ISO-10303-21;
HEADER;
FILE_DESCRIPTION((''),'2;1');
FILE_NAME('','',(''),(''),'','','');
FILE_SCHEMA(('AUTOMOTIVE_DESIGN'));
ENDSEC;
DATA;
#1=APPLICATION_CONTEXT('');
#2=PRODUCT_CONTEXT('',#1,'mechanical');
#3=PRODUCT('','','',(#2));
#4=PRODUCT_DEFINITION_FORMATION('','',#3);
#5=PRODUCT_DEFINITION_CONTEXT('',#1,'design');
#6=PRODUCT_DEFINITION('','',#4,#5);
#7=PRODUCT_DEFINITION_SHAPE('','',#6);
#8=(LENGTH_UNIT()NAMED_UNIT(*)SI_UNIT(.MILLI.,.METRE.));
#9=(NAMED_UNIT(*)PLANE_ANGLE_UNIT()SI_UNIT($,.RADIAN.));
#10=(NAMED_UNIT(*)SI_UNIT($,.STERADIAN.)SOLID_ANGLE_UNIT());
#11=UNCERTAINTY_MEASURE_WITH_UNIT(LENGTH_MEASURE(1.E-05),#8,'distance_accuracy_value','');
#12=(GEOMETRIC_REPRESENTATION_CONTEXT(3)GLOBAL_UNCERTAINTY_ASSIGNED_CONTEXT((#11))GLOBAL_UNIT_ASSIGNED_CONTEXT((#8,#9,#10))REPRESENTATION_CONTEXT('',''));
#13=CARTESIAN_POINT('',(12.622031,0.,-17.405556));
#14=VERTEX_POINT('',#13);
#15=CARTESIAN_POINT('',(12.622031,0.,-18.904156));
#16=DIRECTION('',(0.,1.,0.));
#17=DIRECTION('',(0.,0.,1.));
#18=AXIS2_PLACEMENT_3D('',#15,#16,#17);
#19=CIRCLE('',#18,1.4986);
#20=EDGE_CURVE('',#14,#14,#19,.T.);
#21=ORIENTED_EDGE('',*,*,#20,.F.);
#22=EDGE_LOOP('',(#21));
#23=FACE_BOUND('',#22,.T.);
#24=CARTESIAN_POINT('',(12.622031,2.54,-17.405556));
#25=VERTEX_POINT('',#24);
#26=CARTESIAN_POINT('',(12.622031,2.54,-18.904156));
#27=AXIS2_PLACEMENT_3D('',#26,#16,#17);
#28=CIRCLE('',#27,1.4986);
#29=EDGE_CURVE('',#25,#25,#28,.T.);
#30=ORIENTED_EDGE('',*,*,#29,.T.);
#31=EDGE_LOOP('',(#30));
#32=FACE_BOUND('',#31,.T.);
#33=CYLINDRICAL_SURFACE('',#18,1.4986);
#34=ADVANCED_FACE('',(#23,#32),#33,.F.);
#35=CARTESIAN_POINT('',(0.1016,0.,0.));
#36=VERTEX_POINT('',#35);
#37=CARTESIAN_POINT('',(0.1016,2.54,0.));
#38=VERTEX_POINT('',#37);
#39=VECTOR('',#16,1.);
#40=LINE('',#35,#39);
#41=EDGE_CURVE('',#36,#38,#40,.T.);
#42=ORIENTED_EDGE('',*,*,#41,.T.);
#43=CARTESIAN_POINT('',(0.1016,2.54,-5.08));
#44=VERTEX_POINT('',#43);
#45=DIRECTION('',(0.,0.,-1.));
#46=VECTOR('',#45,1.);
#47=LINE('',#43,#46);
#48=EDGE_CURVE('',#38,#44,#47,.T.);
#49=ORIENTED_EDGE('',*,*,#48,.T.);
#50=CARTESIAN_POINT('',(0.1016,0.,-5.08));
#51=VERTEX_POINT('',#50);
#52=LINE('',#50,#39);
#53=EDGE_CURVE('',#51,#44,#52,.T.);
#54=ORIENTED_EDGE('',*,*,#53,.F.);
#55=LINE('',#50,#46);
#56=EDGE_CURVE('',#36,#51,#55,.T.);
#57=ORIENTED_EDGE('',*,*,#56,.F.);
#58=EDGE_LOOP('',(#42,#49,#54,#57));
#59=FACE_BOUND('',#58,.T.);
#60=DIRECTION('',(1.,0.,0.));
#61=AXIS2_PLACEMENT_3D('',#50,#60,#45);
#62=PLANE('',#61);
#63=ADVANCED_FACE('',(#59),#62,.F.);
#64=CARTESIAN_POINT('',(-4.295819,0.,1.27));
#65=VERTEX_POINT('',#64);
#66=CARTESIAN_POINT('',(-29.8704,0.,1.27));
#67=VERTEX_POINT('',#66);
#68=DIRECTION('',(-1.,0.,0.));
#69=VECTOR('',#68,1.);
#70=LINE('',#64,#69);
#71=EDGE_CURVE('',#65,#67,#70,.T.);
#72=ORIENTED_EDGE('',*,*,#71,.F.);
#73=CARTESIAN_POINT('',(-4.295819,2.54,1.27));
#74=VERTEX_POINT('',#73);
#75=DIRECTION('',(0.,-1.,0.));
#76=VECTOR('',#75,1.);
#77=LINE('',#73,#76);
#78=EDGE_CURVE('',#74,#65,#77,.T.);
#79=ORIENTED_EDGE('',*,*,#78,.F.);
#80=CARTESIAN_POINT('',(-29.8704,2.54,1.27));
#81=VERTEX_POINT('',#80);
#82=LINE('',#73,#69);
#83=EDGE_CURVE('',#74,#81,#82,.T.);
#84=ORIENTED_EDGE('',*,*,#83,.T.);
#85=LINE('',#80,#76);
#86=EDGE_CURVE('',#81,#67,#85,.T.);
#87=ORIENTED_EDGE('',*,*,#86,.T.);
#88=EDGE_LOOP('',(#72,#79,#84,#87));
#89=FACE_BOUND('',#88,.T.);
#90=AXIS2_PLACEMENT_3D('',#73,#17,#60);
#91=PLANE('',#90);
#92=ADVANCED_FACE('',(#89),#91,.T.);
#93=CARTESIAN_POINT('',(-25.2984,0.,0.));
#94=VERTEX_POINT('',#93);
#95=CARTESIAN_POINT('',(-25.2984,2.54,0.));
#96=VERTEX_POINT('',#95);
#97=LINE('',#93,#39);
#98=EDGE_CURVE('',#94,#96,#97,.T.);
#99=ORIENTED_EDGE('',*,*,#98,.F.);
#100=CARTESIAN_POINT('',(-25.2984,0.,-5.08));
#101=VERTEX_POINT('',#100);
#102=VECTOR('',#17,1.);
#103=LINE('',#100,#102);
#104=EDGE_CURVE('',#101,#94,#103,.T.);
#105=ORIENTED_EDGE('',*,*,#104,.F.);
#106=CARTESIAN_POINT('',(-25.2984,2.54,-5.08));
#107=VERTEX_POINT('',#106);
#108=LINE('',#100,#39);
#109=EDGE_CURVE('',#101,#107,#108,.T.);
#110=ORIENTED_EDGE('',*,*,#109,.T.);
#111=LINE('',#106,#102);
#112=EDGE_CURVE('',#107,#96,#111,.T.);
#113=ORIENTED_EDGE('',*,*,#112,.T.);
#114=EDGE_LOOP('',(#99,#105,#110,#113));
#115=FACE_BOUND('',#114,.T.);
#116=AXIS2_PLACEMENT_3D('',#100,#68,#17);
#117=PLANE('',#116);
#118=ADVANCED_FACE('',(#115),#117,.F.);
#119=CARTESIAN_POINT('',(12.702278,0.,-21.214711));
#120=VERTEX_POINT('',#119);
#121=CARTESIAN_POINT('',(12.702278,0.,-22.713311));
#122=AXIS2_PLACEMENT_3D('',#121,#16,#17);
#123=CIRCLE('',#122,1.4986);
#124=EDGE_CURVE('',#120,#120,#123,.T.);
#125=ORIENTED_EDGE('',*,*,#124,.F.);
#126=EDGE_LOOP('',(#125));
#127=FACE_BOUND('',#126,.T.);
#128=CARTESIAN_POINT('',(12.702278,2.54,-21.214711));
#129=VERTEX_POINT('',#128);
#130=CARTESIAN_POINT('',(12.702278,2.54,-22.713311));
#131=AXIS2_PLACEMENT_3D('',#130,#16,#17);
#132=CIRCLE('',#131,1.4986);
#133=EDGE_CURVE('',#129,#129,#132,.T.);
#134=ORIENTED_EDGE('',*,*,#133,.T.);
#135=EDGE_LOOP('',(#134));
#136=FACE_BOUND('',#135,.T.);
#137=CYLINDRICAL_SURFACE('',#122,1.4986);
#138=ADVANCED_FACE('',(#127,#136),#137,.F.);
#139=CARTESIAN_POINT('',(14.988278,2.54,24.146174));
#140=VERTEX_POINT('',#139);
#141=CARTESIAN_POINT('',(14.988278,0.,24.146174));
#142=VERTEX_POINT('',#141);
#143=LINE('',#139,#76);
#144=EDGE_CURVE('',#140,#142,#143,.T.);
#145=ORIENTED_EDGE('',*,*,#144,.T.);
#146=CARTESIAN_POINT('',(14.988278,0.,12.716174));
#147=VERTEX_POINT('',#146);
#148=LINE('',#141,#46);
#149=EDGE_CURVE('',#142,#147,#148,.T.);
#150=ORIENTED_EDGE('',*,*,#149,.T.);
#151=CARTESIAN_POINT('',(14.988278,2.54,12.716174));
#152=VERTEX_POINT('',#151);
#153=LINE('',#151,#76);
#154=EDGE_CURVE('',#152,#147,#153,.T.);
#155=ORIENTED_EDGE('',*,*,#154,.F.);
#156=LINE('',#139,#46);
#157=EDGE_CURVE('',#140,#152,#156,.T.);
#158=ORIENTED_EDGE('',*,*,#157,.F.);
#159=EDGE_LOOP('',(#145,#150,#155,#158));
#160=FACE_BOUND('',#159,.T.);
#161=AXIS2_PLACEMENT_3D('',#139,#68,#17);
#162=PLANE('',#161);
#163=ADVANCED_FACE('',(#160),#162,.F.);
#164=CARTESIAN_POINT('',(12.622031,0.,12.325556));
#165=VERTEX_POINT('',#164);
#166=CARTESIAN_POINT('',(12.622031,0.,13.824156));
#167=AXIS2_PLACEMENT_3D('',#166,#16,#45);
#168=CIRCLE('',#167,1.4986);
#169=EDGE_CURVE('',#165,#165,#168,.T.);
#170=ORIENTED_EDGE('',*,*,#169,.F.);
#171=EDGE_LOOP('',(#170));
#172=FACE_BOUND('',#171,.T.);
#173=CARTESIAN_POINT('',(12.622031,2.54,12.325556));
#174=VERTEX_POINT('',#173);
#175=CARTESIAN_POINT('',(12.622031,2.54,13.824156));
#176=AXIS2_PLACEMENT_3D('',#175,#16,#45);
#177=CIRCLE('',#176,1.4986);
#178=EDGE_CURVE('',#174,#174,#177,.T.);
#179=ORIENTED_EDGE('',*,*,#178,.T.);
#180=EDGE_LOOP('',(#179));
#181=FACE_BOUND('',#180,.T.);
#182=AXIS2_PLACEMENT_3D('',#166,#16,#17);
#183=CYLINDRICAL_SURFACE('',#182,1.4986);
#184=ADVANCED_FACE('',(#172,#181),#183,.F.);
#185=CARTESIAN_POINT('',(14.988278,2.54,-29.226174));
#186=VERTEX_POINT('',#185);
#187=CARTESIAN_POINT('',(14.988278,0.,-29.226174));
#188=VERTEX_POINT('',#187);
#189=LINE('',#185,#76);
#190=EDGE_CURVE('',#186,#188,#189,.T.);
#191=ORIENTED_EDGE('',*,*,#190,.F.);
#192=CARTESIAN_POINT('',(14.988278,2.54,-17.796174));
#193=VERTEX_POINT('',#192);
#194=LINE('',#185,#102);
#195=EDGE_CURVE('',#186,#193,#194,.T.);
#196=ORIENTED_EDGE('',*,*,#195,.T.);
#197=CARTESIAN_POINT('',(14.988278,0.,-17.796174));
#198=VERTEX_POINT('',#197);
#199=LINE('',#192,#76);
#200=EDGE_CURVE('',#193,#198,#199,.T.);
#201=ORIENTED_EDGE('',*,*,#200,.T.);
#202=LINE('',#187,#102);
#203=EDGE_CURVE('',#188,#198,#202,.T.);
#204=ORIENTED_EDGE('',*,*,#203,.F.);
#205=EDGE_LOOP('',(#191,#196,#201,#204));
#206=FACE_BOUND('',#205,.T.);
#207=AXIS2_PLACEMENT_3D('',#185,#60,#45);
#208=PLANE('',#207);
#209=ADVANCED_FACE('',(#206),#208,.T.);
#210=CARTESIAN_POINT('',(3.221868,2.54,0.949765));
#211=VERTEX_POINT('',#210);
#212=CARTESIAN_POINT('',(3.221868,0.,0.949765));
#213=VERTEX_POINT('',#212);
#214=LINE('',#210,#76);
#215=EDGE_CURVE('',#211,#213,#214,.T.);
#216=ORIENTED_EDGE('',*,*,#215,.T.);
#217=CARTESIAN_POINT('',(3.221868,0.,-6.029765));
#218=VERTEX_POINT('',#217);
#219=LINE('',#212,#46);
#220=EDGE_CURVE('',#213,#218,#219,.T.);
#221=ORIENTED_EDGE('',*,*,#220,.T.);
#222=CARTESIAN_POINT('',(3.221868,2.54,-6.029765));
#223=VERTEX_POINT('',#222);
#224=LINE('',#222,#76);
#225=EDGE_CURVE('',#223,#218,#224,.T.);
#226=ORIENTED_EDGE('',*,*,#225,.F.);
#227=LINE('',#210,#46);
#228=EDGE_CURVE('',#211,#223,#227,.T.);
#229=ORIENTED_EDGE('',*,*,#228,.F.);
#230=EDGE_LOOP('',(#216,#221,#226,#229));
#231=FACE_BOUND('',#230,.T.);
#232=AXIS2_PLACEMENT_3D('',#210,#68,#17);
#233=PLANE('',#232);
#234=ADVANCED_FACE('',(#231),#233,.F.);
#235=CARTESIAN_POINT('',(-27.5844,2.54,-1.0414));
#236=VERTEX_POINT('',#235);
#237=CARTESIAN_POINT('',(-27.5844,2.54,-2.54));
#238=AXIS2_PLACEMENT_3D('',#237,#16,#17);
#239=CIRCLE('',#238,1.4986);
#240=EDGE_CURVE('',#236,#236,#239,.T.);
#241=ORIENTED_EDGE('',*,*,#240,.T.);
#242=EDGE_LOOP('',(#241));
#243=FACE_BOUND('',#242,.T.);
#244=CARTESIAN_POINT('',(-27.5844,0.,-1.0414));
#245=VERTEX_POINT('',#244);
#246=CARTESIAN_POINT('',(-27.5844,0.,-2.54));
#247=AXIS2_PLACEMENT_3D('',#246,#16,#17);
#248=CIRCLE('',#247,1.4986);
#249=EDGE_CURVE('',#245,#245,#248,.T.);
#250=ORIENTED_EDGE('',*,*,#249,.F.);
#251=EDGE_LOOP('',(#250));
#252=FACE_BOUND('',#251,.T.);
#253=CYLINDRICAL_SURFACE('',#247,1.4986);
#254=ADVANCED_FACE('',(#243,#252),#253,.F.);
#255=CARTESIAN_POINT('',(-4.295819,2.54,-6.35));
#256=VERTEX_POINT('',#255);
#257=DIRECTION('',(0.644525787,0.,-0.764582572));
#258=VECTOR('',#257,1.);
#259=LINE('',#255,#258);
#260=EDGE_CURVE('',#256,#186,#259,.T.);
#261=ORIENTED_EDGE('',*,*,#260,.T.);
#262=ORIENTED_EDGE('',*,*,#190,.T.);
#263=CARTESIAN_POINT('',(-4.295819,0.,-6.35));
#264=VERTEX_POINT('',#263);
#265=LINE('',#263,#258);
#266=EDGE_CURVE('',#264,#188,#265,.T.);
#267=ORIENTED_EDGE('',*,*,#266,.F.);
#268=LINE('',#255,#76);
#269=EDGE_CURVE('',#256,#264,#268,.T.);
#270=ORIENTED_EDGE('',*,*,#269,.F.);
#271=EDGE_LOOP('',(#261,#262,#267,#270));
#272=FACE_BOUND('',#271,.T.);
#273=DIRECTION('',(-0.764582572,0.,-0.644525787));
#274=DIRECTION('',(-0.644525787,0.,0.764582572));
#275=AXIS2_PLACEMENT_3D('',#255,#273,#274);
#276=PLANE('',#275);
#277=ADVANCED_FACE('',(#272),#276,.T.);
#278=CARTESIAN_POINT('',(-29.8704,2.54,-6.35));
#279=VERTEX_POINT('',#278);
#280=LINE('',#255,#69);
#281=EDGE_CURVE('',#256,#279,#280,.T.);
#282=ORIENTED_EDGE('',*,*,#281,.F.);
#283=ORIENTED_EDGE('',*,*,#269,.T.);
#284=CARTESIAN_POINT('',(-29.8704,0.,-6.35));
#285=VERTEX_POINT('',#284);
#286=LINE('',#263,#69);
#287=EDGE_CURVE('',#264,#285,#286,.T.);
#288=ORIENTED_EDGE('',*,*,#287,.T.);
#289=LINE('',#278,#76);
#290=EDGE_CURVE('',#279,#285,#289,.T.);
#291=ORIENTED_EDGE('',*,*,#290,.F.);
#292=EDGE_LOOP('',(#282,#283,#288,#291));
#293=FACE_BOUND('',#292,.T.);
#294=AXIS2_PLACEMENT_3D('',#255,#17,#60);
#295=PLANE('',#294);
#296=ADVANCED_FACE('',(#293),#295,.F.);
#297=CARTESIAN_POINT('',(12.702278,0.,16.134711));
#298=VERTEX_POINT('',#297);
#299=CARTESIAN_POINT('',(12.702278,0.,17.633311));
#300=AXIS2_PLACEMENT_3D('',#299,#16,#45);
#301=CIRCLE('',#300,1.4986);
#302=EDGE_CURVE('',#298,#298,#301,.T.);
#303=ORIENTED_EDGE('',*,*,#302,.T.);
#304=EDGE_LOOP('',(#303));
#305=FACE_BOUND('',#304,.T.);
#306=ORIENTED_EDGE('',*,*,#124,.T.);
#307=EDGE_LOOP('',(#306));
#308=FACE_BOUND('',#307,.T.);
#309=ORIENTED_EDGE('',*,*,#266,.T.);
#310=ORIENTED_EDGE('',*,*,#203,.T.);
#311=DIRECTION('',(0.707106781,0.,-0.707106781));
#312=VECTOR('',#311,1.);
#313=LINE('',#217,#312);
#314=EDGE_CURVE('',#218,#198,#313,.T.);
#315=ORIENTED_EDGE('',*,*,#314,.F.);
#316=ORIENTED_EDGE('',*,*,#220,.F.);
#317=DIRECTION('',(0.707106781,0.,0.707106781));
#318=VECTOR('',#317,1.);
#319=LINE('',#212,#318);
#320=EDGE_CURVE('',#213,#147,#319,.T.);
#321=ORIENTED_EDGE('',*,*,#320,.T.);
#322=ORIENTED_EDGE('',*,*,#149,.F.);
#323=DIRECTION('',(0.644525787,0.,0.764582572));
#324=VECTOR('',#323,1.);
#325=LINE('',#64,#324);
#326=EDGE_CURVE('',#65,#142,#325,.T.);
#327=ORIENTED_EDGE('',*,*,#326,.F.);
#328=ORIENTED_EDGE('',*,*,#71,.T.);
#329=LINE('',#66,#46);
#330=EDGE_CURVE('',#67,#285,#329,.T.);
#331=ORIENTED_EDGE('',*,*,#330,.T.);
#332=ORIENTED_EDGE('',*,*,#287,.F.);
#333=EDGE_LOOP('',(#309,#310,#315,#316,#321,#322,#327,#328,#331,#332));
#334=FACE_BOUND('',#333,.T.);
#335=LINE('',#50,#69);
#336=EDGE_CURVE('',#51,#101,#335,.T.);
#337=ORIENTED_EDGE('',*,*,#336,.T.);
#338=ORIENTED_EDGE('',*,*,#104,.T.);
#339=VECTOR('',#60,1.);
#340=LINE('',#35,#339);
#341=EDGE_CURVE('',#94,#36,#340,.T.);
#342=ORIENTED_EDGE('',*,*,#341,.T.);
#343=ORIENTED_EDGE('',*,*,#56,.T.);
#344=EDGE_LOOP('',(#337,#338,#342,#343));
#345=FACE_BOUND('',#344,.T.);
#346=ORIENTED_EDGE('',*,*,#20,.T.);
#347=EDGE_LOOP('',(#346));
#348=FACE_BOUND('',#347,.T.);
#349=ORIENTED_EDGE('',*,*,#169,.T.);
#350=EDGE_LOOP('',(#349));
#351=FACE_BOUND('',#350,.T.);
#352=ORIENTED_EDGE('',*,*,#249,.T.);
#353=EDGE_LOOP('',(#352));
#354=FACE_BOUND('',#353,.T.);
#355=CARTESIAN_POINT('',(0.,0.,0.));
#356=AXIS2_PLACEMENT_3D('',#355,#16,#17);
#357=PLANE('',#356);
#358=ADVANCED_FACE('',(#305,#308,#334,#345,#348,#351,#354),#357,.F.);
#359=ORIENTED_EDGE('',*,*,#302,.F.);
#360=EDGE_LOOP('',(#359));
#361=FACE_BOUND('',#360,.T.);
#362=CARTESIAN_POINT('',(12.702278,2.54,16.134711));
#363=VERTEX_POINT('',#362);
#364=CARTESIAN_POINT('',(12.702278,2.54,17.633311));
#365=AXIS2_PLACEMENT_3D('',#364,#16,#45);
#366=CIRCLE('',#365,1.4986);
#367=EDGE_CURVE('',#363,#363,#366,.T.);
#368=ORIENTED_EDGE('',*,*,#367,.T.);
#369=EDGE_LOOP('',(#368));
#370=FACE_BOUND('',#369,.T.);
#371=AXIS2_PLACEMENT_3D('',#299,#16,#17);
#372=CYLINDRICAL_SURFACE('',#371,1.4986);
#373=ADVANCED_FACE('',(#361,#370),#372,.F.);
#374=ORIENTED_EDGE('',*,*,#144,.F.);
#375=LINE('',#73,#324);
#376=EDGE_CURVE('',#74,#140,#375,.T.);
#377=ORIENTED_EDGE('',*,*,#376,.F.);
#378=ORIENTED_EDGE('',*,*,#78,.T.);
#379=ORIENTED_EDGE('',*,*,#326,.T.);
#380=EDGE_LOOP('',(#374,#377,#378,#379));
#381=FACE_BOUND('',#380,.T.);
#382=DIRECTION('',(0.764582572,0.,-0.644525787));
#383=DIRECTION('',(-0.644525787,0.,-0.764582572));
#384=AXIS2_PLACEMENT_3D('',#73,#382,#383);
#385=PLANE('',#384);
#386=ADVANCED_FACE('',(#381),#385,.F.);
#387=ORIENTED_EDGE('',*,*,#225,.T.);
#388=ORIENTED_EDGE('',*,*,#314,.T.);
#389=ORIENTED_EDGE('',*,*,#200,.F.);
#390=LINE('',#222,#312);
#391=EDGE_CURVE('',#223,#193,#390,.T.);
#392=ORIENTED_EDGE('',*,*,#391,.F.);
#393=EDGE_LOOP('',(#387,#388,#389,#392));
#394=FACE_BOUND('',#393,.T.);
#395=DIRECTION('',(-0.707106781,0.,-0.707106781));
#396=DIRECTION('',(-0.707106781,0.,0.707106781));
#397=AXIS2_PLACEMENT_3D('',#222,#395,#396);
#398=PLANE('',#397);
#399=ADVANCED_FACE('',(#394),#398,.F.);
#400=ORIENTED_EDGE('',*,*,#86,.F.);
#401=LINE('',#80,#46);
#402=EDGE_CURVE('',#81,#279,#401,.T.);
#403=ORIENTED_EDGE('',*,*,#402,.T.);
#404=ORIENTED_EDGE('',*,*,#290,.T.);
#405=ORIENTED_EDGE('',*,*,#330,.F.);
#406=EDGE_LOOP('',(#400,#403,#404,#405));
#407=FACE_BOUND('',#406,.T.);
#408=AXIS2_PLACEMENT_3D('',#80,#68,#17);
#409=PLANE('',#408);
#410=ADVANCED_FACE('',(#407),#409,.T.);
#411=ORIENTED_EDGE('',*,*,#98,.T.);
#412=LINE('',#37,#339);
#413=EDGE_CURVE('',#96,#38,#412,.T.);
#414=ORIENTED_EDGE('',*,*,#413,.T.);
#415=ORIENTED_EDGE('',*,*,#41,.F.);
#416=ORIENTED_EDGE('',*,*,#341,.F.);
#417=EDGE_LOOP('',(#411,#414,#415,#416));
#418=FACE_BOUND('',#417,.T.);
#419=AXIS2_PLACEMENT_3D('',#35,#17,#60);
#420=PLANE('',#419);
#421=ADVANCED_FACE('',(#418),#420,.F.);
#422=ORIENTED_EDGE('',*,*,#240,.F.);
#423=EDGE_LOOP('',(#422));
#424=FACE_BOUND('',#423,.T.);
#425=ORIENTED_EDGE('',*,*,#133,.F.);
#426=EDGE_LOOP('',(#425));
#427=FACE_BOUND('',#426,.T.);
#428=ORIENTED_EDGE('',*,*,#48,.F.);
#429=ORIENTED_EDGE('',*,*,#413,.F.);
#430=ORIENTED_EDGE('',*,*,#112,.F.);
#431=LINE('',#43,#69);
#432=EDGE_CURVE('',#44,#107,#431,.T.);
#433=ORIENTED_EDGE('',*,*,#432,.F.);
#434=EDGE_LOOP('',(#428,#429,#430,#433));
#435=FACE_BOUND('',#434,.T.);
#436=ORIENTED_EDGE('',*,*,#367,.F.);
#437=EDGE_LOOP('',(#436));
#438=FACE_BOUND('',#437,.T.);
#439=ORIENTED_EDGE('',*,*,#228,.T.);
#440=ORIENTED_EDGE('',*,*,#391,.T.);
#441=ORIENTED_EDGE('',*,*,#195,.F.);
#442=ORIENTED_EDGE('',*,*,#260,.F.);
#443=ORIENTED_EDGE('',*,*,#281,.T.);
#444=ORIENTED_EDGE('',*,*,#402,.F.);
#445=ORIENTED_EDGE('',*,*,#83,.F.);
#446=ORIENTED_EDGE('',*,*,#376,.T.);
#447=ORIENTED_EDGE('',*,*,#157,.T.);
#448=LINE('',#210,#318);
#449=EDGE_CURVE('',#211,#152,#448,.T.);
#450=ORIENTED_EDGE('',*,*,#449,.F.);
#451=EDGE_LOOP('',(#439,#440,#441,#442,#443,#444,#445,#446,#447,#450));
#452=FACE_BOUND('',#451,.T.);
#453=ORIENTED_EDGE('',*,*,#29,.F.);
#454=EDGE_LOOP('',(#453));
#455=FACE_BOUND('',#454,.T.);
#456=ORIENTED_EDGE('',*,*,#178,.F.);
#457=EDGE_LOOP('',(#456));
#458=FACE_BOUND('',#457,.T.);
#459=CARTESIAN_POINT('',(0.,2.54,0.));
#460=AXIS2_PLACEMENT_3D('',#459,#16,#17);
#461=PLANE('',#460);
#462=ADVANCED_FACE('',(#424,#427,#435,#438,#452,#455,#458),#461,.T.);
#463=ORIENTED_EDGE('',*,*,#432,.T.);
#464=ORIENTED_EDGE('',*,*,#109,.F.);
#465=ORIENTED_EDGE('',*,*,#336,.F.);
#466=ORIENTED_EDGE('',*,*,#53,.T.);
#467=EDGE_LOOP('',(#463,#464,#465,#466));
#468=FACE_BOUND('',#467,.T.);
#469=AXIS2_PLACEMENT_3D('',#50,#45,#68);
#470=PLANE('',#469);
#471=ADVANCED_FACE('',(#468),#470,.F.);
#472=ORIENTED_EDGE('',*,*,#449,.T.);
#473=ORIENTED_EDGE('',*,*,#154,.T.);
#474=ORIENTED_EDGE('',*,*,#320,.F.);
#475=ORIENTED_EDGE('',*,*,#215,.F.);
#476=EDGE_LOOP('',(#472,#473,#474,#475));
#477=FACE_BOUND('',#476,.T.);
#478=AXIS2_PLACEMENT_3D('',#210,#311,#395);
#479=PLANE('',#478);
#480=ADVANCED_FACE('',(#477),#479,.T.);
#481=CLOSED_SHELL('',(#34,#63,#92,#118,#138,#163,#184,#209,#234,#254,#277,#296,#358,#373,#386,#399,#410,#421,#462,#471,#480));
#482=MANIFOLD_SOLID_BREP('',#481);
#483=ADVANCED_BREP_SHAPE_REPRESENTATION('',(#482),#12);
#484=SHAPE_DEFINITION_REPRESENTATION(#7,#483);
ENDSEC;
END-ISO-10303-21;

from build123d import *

# Parameters (mm, degrees)
BOSS_EXTRUDE2_DEPTH = 2.54
SKETCH7_R           = 1.4986
SKETCH7_W           = 25.4
SKETCH7_H           = 5.08
CUT_EXTRUDE1_DEPTH  = 2.54


with BuildPart() as part:
    # Sketch1 → Boss-Extrude2 (new body)
    with BuildSketch(Plane(origin=(0, 0, 0), x_dir=(1, 0, 0), z_dir=(0, 1, 0))):
        Polygon((3.221868426, 6.029765094), (14.988277627, 17.796174295), (14.988277627, 29.226174295), (-4.295819053, 6.35), (-29.8704, 6.35), (-29.8704, -1.27), (-4.295819053, -1.27), (14.988277627, -24.146174295), (14.988277627, -12.716174295), (3.221868426, -0.949765094), align=None)
    extrude(amount=BOSS_EXTRUDE2_DEPTH)

    # Sketch7 → Cut-Extrude1 (cut)
    with BuildSketch(Plane(origin=(0, 2.54, 0), x_dir=(1, 0, 0), z_dir=(0, 1, 0))):
        with Locations(Location((-27.5844, 2.54, 0), (0, 0, 270))):
            Circle(SKETCH7_R)
        with Locations(Location((12.702277627, 22.713311162, 0), (0, 0, 270))):
            Circle(SKETCH7_R)
        with Locations(Location((12.622030753, 18.904156343, 0), (0, 0, 270))):
            Circle(SKETCH7_R)
        with Locations(Location((12.622030753, -13.824156343, 0), (0, 0, 90))):
            Circle(SKETCH7_R)
        with Locations(Location((12.702277627, -17.633311162, 0), (0, 0, 90))):
            Circle(SKETCH7_R)
        with Locations((-12.5984, 2.54)):
            Rectangle(SKETCH7_W, SKETCH7_H)
    extrude(amount=-CUT_EXTRUDE1_DEPTH, mode=Mode.SUBTRACT)


solid = part.part
